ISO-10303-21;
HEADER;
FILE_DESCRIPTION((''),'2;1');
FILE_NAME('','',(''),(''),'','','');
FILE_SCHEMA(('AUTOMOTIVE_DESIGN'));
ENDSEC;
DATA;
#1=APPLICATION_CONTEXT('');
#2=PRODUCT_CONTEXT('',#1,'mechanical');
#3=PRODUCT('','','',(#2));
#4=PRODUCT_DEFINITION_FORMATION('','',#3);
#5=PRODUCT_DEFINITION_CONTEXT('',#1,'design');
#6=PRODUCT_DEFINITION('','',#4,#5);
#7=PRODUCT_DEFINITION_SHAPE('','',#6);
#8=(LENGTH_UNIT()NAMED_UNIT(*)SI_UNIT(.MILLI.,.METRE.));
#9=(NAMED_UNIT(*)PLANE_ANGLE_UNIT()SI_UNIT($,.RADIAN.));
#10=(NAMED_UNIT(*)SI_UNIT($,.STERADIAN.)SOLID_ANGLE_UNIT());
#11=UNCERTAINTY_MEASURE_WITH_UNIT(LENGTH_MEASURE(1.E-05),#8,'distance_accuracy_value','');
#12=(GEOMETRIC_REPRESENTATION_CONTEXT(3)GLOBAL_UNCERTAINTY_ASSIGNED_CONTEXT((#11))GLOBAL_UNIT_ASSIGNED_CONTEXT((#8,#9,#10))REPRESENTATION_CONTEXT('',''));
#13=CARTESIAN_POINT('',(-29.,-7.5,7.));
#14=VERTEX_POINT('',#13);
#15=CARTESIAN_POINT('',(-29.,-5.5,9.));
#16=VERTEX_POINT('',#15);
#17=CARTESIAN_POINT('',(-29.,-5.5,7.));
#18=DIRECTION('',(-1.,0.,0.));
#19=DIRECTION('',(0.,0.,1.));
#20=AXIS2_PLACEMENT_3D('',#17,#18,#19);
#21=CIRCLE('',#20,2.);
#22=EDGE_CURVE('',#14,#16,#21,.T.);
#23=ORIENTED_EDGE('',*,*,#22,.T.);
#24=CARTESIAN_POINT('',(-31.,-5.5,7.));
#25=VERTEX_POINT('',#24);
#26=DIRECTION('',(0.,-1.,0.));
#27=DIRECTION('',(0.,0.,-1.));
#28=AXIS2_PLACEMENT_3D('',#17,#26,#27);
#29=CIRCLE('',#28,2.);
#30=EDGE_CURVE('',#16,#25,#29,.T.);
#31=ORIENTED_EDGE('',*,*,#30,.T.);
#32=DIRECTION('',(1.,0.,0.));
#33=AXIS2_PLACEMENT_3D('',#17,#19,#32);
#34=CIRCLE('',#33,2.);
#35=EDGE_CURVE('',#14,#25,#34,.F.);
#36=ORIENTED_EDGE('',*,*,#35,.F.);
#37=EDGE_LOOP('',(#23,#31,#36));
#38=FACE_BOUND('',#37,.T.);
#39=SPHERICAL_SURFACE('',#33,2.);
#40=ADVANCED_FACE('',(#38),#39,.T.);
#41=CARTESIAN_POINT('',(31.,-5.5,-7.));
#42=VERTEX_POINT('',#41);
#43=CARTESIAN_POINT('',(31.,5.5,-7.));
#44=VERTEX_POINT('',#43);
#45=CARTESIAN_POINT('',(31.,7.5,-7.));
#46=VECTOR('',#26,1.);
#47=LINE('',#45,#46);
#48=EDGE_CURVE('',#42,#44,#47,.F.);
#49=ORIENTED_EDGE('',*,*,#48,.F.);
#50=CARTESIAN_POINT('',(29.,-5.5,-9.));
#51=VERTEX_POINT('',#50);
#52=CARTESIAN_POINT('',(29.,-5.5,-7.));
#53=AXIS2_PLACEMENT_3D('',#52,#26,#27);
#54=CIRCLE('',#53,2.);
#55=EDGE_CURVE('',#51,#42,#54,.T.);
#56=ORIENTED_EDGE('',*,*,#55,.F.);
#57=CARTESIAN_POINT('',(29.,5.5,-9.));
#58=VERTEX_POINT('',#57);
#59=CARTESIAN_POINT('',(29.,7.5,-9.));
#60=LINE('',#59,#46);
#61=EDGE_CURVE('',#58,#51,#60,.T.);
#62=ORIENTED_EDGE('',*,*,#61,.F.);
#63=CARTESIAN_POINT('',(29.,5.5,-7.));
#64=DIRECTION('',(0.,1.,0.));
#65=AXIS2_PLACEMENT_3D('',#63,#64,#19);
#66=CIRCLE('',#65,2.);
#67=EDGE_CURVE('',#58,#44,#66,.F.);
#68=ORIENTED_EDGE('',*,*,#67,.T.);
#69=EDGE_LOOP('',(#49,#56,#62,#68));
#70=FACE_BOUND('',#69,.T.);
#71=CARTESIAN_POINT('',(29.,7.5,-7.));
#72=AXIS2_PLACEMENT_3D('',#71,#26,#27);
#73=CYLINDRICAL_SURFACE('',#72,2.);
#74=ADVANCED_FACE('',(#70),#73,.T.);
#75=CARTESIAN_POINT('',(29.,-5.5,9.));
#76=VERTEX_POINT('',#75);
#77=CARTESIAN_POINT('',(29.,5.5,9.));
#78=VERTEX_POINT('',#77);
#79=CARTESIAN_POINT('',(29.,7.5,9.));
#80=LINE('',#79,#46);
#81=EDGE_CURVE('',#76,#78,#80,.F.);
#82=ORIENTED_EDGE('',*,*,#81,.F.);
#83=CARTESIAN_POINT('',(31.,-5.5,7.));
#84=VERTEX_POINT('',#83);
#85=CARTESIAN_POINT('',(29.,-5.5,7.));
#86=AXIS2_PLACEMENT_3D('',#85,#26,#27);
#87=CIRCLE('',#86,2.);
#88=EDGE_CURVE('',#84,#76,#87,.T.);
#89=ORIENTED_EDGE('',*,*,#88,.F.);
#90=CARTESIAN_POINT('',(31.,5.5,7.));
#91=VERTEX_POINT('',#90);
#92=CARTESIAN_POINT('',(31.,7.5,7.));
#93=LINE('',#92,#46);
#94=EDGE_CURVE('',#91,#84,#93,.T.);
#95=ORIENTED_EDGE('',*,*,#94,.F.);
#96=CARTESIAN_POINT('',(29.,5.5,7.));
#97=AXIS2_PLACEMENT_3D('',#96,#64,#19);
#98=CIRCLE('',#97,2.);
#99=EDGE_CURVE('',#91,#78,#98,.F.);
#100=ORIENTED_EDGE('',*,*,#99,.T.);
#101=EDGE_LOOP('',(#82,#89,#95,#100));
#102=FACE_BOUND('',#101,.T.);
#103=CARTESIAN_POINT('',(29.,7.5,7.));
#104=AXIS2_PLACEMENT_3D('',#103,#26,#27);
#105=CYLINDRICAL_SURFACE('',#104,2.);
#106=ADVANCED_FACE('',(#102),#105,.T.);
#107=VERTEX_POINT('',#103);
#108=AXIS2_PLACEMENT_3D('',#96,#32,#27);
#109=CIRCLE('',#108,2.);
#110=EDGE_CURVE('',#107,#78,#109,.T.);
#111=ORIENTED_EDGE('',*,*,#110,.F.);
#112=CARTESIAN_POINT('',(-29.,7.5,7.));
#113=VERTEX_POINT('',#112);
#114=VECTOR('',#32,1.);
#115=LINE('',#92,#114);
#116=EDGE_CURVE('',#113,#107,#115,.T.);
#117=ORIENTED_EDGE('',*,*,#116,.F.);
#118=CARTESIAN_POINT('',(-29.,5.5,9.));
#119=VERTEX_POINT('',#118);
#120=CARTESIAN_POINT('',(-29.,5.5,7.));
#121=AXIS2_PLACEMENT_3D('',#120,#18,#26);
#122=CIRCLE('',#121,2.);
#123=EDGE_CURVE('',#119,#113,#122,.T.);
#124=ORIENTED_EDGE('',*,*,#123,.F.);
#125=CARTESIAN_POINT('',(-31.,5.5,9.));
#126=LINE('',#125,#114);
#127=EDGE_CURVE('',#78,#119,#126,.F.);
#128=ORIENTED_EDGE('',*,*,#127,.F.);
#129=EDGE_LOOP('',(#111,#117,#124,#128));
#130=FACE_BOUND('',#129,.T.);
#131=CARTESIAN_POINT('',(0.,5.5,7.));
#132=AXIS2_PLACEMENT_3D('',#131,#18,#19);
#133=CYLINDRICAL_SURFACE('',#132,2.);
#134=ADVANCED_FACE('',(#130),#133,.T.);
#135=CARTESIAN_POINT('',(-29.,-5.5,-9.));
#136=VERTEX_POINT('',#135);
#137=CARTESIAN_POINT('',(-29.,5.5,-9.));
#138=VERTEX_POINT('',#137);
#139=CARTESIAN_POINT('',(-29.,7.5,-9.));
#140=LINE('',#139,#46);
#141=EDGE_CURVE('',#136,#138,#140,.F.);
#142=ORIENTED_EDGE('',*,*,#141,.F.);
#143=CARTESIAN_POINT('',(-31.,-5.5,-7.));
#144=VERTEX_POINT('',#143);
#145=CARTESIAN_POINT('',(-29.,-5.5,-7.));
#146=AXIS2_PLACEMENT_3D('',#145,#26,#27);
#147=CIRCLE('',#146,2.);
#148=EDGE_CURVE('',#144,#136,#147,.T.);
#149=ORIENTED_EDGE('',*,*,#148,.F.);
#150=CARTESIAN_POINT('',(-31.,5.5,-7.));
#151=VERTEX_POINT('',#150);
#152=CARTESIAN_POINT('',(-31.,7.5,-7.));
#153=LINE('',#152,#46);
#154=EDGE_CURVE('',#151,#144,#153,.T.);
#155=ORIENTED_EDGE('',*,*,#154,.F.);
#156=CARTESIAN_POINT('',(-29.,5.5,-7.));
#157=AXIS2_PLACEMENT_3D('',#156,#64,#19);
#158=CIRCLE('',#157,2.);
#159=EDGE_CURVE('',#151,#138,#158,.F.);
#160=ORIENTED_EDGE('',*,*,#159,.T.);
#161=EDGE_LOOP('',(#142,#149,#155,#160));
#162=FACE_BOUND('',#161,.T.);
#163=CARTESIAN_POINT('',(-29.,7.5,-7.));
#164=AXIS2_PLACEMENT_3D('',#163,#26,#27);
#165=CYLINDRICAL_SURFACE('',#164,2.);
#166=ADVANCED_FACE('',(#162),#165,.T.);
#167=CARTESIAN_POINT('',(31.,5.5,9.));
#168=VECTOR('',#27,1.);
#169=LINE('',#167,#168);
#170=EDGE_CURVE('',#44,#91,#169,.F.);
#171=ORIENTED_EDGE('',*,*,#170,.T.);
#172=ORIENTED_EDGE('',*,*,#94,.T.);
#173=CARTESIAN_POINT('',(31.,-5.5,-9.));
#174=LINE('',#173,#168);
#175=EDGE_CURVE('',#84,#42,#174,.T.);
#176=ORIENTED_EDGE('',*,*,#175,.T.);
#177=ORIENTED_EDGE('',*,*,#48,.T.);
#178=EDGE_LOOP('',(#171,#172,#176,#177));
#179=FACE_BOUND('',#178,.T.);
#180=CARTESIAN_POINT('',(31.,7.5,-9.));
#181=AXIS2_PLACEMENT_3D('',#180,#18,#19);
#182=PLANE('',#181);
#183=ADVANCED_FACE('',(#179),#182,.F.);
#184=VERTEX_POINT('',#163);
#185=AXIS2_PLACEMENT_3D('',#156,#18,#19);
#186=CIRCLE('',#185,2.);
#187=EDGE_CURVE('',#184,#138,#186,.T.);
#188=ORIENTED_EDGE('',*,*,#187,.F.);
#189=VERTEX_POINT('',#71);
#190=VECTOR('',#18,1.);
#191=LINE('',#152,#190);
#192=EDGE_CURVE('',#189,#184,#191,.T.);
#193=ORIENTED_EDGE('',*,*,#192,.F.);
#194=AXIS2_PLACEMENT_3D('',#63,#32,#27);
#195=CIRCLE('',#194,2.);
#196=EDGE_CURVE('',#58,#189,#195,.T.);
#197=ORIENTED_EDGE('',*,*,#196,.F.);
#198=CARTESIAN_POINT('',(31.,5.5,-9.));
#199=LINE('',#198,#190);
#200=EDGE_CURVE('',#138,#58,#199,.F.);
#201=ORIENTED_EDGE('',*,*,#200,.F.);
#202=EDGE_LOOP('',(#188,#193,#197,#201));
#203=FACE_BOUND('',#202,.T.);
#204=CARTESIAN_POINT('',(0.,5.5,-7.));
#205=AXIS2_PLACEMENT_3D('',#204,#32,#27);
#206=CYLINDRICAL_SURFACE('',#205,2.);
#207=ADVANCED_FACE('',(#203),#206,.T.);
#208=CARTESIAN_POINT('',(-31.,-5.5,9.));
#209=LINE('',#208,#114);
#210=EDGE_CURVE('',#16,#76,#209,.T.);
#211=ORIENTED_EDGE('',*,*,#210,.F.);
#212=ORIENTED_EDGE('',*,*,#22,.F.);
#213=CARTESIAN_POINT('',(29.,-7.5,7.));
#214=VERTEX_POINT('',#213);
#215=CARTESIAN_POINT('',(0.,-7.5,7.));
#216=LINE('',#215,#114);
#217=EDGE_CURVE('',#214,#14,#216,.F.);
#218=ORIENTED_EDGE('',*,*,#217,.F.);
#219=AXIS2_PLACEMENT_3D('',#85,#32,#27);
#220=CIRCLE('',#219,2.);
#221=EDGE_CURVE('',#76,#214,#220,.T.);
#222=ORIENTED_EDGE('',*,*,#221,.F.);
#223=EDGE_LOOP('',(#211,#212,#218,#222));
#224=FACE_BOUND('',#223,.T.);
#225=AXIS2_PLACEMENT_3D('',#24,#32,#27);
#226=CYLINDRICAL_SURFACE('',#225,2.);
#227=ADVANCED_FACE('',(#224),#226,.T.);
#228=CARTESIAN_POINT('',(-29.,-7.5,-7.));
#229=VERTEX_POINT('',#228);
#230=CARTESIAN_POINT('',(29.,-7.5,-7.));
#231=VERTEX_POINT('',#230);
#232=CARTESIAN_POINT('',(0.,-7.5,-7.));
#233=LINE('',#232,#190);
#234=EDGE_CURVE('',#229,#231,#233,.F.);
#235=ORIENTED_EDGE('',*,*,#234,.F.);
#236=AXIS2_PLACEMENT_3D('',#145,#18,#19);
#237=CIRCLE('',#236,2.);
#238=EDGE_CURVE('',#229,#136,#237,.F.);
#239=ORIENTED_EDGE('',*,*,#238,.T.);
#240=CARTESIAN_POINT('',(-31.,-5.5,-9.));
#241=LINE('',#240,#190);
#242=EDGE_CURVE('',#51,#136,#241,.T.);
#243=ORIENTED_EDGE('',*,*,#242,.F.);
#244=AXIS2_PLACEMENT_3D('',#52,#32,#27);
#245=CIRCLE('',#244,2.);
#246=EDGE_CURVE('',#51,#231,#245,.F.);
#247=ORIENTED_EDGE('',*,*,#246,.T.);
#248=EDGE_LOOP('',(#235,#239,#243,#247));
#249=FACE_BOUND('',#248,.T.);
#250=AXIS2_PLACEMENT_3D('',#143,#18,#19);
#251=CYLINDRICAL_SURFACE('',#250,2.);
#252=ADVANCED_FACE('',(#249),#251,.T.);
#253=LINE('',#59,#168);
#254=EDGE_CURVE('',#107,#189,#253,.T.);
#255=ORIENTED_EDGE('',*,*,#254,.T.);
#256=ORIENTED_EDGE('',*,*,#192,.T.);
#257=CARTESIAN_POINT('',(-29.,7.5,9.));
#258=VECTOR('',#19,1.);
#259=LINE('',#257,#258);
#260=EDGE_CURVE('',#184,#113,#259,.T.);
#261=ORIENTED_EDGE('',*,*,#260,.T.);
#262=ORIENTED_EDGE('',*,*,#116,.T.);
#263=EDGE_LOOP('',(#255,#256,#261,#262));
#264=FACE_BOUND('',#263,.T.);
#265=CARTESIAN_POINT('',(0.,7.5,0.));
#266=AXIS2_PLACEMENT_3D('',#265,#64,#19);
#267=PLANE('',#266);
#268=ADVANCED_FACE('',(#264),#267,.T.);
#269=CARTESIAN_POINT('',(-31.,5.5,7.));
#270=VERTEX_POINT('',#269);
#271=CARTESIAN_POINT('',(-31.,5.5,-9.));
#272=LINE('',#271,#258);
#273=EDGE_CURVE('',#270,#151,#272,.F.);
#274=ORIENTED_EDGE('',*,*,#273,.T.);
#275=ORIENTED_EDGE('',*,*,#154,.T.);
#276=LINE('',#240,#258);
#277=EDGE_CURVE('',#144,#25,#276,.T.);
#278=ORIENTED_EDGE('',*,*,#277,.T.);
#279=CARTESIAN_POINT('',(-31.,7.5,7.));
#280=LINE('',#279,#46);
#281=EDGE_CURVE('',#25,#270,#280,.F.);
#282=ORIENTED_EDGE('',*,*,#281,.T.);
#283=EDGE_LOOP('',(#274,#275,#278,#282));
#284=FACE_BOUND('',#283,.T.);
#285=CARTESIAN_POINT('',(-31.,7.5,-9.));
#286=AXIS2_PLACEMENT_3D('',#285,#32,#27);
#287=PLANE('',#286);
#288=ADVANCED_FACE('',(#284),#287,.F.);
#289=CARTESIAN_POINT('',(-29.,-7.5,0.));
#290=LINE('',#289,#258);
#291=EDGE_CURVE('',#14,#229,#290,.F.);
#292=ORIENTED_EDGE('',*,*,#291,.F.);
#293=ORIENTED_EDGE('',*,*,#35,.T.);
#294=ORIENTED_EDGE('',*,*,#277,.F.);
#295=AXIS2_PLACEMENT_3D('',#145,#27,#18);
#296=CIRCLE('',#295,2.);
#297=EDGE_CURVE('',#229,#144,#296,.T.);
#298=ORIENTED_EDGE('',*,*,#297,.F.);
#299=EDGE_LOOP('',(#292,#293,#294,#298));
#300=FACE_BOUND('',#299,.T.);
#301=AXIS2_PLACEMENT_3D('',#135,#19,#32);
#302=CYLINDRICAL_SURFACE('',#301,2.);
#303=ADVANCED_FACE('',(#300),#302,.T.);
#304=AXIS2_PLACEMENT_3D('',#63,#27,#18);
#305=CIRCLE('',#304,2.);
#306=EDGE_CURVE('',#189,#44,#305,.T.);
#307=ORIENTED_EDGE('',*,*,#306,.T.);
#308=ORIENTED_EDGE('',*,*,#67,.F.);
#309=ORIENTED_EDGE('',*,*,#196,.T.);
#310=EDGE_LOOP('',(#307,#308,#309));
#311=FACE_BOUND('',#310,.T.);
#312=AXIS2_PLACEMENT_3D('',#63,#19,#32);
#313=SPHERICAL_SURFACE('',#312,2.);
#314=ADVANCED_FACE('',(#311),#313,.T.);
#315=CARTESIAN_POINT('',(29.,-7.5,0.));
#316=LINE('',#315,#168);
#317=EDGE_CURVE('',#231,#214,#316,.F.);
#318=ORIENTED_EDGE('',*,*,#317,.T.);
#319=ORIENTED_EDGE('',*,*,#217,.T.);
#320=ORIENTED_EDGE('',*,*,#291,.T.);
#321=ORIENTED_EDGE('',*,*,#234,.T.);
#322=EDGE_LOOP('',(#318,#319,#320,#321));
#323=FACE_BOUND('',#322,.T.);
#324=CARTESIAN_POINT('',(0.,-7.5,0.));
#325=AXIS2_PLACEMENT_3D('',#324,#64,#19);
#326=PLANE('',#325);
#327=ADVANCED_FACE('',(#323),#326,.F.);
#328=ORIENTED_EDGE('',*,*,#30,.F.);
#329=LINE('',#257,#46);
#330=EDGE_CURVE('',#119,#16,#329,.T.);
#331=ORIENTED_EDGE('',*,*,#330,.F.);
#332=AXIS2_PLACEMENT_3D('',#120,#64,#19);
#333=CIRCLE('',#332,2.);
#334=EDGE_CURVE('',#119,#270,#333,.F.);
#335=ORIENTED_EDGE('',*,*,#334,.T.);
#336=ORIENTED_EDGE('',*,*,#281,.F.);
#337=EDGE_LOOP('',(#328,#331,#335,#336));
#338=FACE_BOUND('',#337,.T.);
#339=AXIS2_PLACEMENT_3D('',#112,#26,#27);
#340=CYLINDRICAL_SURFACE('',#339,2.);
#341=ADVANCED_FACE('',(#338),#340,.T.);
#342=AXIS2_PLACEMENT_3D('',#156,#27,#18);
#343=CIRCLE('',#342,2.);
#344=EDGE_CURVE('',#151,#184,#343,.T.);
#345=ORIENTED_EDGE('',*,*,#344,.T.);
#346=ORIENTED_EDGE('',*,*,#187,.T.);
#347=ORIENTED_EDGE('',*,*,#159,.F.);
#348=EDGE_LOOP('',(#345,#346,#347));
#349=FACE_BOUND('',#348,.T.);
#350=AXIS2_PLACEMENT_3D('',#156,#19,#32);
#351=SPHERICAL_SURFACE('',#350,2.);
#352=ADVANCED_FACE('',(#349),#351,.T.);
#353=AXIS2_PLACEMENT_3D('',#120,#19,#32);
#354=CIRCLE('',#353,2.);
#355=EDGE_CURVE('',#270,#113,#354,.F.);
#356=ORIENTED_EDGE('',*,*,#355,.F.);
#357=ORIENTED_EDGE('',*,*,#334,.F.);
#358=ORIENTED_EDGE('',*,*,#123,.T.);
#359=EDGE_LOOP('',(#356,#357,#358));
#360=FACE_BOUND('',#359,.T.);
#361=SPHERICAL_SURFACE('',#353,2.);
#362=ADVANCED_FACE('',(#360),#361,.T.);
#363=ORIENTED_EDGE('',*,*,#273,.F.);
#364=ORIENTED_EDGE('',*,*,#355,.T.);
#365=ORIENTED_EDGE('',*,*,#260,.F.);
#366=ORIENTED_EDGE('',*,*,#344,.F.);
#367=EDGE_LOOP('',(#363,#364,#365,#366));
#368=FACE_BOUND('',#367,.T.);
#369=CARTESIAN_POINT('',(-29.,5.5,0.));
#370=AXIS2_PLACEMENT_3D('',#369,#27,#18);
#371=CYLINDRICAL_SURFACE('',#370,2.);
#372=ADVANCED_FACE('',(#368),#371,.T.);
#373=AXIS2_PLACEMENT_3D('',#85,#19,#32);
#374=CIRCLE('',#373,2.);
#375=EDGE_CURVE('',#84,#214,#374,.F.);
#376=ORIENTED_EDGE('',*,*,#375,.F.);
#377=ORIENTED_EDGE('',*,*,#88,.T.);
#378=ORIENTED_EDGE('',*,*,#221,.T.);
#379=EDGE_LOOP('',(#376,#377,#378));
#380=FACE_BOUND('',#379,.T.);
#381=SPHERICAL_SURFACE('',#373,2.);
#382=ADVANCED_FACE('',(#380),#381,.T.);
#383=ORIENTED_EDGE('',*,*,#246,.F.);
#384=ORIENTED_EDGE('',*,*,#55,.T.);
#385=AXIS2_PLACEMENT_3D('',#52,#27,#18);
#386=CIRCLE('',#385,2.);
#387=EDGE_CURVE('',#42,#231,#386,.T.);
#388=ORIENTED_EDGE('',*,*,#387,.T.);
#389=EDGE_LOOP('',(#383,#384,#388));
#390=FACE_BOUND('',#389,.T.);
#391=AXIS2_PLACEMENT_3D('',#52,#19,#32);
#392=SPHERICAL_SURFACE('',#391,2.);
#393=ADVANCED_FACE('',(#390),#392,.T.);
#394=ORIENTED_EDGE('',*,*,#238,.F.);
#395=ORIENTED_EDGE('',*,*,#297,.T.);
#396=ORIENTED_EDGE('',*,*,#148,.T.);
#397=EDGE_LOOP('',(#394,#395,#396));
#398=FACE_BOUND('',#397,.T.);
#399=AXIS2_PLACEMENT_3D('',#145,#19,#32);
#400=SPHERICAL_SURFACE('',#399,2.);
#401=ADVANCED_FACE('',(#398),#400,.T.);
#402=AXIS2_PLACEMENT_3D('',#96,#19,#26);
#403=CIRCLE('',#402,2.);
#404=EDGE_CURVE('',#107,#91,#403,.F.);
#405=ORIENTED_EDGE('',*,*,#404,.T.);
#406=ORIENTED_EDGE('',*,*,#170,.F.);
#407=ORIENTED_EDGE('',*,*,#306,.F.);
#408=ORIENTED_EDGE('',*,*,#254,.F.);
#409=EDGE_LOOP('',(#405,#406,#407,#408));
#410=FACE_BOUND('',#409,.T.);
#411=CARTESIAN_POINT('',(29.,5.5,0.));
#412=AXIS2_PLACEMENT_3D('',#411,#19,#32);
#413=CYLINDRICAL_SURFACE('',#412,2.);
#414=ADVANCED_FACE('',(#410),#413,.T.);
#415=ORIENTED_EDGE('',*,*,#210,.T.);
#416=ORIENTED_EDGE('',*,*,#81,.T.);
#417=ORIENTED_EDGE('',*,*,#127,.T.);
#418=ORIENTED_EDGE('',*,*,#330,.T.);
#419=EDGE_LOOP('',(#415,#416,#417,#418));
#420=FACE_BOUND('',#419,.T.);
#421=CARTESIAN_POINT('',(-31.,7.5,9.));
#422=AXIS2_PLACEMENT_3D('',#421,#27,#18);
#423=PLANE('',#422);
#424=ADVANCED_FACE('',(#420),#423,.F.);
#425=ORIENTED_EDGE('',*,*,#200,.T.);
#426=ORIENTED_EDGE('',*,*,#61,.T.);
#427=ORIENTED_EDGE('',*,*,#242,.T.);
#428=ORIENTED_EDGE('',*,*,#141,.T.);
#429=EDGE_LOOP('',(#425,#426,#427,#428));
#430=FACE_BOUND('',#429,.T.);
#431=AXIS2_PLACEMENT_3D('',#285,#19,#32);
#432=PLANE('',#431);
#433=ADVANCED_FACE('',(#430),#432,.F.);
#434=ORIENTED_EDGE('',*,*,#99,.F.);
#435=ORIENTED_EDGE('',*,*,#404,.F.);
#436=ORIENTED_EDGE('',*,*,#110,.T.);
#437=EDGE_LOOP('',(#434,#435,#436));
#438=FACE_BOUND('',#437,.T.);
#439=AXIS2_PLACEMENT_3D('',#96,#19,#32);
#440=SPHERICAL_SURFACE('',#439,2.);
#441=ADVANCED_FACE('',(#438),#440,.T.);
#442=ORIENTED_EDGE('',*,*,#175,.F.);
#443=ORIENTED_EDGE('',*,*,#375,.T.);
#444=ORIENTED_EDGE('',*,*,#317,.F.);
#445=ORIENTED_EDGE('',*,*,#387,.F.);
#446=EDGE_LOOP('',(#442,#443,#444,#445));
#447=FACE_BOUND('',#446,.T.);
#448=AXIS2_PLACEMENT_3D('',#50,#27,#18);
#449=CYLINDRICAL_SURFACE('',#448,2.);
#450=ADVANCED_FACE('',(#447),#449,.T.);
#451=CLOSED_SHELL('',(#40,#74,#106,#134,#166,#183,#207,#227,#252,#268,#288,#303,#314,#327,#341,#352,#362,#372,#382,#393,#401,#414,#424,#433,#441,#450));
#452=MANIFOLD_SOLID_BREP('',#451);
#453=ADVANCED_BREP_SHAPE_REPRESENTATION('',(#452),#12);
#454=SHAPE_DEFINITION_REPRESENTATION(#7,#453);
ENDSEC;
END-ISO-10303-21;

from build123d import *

# Parameters (mm, degrees)
SKETCH1_W           = 62
SKETCH1_H           = 18
BOSS_EXTRUDE1_DEPTH = 7.5
FILLET1_R           = 2


with BuildPart() as part:
    # Sketch1 → Boss-Extrude1 (new body, symmetric)
    with BuildSketch(Plane(origin=(0, 0, 0), x_dir=(1, 0, 0), z_dir=(0, 1, 0))):
        Rectangle(SKETCH1_W, SKETCH1_H)
    extrude(amount=BOSS_EXTRUDE1_DEPTH, both=True)

    # Fillet1
    fillet1_edges = [part.edges().sort_by_distance(p)[0] for p in [
        (-31, 7.5, 0),
        (0, 7.5, 9),
        (31, 7.5, 0),
        (0, -7.5, 9),
        (-31, -7.5, 0),
        (0, -7.5, -9),
        (31, -7.5, 0),
        (31, 0, 9),
        (-31, 0, 9),
        (-31, 0, -9),
        (31, 0, -9),
        (0, 7.5, -9),
    ]]
    fillet(fillet1_edges, radius=FILLET1_R)


solid = part.part
